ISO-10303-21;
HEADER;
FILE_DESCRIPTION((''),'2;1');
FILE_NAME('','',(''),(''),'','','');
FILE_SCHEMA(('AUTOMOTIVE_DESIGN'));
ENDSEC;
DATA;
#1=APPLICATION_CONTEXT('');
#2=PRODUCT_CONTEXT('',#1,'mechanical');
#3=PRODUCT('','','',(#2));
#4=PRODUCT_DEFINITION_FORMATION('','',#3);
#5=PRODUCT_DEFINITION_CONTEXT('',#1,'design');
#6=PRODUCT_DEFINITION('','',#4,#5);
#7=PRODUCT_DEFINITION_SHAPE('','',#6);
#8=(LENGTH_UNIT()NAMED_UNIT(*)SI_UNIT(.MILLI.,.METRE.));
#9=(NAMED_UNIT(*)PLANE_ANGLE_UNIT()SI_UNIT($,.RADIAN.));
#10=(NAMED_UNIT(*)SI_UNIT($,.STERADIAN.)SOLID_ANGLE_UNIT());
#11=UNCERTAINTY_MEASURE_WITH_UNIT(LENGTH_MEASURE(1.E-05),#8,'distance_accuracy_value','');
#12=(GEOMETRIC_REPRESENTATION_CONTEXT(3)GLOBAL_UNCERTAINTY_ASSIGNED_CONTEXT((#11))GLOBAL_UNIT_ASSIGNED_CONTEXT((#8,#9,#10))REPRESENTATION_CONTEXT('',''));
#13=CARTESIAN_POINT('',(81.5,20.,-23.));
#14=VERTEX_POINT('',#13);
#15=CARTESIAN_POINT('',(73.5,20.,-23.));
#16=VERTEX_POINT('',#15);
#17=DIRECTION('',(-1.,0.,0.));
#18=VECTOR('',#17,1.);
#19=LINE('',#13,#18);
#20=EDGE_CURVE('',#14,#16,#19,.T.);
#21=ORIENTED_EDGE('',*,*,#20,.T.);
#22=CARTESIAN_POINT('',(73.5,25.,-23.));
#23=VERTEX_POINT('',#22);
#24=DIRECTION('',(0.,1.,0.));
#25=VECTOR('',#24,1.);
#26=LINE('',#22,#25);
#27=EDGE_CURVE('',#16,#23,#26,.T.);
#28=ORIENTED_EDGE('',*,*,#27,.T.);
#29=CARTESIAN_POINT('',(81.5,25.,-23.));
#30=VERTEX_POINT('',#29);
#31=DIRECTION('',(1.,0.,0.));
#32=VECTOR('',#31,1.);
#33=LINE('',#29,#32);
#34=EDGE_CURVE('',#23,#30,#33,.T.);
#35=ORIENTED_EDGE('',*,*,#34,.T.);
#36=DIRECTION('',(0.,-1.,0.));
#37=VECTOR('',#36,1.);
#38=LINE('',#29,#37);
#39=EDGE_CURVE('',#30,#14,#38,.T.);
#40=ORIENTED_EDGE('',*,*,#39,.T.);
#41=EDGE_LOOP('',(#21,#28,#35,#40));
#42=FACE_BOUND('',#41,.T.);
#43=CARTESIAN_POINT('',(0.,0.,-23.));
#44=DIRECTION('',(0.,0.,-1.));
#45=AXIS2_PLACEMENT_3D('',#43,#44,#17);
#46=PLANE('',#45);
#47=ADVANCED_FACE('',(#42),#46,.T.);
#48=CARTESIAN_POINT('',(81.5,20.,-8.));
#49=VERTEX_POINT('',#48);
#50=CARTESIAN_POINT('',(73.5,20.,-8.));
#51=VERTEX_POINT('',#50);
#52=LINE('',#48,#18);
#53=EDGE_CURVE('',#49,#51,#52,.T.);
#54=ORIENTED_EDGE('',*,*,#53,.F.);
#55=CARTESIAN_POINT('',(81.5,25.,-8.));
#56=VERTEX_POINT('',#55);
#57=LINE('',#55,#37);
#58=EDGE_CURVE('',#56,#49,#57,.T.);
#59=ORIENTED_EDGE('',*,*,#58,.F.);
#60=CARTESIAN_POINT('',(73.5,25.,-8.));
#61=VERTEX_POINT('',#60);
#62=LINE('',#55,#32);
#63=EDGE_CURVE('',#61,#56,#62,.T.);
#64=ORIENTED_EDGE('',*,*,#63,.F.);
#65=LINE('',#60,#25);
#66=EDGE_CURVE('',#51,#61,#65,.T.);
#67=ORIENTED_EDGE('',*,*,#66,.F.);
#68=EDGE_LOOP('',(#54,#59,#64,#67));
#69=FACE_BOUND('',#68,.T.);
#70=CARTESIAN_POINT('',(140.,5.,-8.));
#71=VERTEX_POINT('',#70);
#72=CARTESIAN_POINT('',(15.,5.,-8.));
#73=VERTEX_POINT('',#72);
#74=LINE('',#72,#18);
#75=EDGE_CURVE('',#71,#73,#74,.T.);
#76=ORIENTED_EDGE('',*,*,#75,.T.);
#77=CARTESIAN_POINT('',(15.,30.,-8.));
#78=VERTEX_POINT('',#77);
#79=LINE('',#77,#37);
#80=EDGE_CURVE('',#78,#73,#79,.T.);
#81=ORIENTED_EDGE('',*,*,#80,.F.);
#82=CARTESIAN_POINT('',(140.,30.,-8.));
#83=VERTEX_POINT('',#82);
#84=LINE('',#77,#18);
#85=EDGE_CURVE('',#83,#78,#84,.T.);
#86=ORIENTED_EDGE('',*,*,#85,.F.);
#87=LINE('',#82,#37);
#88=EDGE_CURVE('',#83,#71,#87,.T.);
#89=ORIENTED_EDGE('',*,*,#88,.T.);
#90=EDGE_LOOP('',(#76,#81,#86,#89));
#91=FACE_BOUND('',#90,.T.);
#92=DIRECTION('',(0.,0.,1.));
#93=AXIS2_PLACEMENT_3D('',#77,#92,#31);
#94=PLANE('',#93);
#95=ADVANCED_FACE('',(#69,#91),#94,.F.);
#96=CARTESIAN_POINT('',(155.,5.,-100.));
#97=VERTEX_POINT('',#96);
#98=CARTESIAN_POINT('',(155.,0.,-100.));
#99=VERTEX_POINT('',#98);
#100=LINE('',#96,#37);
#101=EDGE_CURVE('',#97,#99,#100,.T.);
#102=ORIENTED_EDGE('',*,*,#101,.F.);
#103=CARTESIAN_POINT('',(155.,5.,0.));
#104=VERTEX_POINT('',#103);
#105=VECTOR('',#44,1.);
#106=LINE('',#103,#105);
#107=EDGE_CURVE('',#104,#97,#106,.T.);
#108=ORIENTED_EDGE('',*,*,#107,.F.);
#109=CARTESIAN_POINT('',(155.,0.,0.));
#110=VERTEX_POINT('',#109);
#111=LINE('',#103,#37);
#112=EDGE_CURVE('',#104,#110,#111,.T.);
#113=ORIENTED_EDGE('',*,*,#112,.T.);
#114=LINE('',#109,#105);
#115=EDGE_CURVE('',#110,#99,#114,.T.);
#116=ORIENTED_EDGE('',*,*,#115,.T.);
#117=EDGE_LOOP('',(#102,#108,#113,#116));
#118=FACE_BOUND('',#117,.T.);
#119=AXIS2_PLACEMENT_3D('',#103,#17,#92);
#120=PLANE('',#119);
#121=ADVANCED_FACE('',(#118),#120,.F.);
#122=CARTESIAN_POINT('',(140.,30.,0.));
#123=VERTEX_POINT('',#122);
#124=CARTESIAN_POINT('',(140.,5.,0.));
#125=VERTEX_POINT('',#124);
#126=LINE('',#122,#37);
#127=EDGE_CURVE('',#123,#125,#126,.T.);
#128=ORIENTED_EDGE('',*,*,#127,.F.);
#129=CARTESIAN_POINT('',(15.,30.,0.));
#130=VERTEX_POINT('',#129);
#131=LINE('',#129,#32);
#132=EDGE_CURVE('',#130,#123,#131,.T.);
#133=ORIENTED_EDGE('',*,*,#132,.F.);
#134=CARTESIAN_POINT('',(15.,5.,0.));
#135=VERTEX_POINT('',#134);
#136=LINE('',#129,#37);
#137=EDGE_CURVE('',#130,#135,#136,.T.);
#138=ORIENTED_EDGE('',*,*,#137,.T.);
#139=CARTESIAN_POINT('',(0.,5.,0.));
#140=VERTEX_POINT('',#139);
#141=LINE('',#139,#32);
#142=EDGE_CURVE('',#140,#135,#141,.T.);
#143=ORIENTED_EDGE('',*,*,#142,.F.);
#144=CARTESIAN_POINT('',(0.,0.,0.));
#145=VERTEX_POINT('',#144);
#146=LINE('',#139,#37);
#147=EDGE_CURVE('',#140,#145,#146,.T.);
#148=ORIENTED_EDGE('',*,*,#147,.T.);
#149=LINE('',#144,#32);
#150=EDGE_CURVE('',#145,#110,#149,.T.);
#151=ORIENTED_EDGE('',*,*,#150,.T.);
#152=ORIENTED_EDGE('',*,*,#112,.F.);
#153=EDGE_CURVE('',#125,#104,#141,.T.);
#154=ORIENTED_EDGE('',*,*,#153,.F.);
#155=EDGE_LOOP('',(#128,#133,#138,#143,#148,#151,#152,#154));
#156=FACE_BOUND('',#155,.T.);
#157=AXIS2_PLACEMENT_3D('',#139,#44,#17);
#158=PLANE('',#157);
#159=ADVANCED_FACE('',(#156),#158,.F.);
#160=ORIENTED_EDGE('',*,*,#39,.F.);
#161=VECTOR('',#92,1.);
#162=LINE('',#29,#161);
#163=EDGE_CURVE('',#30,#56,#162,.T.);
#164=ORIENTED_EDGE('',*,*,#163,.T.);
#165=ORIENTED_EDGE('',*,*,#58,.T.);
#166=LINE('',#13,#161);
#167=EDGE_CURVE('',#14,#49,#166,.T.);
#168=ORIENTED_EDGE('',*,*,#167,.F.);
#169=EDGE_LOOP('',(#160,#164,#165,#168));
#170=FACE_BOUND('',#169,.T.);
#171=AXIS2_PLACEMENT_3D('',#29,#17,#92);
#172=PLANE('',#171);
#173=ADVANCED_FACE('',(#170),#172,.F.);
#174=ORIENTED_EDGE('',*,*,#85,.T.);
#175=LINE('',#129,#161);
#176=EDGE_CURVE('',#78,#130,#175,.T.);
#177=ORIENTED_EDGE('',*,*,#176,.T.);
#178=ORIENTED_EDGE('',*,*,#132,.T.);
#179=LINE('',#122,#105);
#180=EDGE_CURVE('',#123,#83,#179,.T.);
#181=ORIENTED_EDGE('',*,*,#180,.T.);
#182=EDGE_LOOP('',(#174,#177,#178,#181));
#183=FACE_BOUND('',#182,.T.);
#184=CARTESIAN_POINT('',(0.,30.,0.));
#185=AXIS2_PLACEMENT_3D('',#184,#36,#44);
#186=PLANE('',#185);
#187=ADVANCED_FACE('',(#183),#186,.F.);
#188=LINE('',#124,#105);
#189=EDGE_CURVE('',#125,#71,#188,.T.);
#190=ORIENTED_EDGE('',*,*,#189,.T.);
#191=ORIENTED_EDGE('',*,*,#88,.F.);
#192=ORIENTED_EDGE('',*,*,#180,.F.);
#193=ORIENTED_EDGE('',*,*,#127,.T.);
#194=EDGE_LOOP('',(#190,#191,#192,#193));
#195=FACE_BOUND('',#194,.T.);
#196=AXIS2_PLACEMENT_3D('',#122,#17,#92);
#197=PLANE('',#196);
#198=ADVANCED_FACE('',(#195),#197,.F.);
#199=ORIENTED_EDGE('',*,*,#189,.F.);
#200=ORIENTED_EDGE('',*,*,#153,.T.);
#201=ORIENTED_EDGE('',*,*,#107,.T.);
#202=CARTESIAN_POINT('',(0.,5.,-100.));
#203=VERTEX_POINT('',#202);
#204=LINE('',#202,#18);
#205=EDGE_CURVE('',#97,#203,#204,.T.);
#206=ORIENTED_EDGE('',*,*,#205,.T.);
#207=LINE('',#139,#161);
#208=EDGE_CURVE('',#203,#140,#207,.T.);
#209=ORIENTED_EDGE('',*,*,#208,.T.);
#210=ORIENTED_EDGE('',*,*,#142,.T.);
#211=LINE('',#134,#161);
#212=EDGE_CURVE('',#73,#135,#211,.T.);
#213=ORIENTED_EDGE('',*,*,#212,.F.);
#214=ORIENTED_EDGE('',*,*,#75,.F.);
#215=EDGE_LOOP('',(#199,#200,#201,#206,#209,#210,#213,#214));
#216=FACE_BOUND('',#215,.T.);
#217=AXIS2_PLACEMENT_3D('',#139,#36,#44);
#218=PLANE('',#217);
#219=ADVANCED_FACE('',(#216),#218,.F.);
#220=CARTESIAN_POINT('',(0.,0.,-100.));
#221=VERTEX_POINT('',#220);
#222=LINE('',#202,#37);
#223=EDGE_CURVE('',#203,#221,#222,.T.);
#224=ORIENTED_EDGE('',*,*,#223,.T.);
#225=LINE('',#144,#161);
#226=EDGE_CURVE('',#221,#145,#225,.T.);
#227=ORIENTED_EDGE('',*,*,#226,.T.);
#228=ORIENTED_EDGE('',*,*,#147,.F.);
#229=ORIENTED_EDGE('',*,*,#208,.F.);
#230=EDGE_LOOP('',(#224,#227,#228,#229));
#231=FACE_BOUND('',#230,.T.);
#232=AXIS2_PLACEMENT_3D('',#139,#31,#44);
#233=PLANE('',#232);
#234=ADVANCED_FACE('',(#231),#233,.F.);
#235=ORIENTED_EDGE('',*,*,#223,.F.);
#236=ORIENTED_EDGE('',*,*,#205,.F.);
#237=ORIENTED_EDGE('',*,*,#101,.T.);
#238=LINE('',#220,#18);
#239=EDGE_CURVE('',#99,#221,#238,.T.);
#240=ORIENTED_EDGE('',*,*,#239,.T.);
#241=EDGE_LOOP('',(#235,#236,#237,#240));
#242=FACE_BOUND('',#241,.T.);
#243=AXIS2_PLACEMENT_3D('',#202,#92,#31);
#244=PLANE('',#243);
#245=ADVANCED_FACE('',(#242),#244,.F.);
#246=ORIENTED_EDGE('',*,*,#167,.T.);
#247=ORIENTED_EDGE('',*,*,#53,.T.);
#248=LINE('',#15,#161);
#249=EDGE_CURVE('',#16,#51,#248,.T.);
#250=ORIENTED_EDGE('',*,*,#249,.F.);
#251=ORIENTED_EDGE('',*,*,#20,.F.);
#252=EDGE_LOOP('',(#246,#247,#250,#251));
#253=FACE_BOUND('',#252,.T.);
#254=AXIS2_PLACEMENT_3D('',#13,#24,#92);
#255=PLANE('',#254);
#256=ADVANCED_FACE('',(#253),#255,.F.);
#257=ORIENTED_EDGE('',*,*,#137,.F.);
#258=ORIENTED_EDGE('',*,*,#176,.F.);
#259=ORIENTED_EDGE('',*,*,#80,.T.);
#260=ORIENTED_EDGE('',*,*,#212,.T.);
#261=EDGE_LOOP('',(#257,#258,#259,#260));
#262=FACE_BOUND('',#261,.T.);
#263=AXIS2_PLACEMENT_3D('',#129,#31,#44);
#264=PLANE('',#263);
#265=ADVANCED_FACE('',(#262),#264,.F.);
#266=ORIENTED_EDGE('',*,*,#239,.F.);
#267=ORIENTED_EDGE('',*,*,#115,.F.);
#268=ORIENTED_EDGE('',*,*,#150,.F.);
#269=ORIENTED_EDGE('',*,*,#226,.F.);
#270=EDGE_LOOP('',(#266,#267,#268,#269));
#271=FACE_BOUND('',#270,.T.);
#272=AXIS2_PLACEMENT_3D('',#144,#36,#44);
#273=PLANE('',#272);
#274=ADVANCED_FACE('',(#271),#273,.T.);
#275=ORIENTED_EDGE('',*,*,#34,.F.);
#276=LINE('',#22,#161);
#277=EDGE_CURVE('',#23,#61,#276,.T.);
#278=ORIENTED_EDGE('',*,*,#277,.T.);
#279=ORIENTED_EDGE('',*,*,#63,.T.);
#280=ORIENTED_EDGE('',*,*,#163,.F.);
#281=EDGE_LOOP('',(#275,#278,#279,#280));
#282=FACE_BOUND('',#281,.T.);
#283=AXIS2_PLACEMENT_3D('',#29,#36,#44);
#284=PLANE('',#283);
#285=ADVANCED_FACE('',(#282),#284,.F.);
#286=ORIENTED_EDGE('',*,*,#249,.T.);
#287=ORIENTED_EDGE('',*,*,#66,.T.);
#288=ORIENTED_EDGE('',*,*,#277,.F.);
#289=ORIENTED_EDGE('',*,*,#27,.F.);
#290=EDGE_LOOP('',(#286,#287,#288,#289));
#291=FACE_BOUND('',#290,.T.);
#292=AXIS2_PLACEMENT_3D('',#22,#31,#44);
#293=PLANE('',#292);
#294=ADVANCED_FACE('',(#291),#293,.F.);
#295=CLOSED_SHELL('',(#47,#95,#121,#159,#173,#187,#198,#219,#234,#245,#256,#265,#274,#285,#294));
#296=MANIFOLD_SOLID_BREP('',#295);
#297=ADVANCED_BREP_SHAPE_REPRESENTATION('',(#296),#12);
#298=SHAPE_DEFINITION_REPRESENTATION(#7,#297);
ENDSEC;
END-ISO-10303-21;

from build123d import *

# Parameters (mm, degrees)
SKETCH_1_W      = 155
SKETCH_1_H      = 100
EXTRUDE_1_DEPTH = 5
SKETCH_2_W      = 125
SKETCH_2_H      = 8
EXTRUDE_2_DEPTH = 25
SKETCH_7_W      = 8
SKETCH_7_H      = 5
EXTRUDE_3_DEPTH = 15


with BuildPart() as part:
    # 草图1 → 凸台-拉伸1 (new body)
    with BuildSketch(Plane(origin=(0, 0, 0), x_dir=(1, 0, 0), z_dir=(0, 1, 0))):
        with Locations((77.5, 50)):
            Rectangle(SKETCH_1_W, SKETCH_1_H)
    extrude(amount=EXTRUDE_1_DEPTH)

    # 草图2 → 凸台-拉伸2 (add)
    with BuildSketch(Plane(origin=(0, 5, 0), x_dir=(1, 0, 0), z_dir=(0, 1, 0))):
        with Locations((77.5, 4)):
            Rectangle(SKETCH_2_W, SKETCH_2_H)
    extrude(amount=EXTRUDE_2_DEPTH)

    # 草图7 → 凸台-拉伸3 (add)
    with BuildSketch(Plane(origin=(0, 0, -8), x_dir=(-1, 0, 0), z_dir=(0, 0, -1))):
        with Locations((-77.5, 22.5)):
            Rectangle(SKETCH_7_W, SKETCH_7_H)
    extrude(amount=EXTRUDE_3_DEPTH)


solid = part.part
